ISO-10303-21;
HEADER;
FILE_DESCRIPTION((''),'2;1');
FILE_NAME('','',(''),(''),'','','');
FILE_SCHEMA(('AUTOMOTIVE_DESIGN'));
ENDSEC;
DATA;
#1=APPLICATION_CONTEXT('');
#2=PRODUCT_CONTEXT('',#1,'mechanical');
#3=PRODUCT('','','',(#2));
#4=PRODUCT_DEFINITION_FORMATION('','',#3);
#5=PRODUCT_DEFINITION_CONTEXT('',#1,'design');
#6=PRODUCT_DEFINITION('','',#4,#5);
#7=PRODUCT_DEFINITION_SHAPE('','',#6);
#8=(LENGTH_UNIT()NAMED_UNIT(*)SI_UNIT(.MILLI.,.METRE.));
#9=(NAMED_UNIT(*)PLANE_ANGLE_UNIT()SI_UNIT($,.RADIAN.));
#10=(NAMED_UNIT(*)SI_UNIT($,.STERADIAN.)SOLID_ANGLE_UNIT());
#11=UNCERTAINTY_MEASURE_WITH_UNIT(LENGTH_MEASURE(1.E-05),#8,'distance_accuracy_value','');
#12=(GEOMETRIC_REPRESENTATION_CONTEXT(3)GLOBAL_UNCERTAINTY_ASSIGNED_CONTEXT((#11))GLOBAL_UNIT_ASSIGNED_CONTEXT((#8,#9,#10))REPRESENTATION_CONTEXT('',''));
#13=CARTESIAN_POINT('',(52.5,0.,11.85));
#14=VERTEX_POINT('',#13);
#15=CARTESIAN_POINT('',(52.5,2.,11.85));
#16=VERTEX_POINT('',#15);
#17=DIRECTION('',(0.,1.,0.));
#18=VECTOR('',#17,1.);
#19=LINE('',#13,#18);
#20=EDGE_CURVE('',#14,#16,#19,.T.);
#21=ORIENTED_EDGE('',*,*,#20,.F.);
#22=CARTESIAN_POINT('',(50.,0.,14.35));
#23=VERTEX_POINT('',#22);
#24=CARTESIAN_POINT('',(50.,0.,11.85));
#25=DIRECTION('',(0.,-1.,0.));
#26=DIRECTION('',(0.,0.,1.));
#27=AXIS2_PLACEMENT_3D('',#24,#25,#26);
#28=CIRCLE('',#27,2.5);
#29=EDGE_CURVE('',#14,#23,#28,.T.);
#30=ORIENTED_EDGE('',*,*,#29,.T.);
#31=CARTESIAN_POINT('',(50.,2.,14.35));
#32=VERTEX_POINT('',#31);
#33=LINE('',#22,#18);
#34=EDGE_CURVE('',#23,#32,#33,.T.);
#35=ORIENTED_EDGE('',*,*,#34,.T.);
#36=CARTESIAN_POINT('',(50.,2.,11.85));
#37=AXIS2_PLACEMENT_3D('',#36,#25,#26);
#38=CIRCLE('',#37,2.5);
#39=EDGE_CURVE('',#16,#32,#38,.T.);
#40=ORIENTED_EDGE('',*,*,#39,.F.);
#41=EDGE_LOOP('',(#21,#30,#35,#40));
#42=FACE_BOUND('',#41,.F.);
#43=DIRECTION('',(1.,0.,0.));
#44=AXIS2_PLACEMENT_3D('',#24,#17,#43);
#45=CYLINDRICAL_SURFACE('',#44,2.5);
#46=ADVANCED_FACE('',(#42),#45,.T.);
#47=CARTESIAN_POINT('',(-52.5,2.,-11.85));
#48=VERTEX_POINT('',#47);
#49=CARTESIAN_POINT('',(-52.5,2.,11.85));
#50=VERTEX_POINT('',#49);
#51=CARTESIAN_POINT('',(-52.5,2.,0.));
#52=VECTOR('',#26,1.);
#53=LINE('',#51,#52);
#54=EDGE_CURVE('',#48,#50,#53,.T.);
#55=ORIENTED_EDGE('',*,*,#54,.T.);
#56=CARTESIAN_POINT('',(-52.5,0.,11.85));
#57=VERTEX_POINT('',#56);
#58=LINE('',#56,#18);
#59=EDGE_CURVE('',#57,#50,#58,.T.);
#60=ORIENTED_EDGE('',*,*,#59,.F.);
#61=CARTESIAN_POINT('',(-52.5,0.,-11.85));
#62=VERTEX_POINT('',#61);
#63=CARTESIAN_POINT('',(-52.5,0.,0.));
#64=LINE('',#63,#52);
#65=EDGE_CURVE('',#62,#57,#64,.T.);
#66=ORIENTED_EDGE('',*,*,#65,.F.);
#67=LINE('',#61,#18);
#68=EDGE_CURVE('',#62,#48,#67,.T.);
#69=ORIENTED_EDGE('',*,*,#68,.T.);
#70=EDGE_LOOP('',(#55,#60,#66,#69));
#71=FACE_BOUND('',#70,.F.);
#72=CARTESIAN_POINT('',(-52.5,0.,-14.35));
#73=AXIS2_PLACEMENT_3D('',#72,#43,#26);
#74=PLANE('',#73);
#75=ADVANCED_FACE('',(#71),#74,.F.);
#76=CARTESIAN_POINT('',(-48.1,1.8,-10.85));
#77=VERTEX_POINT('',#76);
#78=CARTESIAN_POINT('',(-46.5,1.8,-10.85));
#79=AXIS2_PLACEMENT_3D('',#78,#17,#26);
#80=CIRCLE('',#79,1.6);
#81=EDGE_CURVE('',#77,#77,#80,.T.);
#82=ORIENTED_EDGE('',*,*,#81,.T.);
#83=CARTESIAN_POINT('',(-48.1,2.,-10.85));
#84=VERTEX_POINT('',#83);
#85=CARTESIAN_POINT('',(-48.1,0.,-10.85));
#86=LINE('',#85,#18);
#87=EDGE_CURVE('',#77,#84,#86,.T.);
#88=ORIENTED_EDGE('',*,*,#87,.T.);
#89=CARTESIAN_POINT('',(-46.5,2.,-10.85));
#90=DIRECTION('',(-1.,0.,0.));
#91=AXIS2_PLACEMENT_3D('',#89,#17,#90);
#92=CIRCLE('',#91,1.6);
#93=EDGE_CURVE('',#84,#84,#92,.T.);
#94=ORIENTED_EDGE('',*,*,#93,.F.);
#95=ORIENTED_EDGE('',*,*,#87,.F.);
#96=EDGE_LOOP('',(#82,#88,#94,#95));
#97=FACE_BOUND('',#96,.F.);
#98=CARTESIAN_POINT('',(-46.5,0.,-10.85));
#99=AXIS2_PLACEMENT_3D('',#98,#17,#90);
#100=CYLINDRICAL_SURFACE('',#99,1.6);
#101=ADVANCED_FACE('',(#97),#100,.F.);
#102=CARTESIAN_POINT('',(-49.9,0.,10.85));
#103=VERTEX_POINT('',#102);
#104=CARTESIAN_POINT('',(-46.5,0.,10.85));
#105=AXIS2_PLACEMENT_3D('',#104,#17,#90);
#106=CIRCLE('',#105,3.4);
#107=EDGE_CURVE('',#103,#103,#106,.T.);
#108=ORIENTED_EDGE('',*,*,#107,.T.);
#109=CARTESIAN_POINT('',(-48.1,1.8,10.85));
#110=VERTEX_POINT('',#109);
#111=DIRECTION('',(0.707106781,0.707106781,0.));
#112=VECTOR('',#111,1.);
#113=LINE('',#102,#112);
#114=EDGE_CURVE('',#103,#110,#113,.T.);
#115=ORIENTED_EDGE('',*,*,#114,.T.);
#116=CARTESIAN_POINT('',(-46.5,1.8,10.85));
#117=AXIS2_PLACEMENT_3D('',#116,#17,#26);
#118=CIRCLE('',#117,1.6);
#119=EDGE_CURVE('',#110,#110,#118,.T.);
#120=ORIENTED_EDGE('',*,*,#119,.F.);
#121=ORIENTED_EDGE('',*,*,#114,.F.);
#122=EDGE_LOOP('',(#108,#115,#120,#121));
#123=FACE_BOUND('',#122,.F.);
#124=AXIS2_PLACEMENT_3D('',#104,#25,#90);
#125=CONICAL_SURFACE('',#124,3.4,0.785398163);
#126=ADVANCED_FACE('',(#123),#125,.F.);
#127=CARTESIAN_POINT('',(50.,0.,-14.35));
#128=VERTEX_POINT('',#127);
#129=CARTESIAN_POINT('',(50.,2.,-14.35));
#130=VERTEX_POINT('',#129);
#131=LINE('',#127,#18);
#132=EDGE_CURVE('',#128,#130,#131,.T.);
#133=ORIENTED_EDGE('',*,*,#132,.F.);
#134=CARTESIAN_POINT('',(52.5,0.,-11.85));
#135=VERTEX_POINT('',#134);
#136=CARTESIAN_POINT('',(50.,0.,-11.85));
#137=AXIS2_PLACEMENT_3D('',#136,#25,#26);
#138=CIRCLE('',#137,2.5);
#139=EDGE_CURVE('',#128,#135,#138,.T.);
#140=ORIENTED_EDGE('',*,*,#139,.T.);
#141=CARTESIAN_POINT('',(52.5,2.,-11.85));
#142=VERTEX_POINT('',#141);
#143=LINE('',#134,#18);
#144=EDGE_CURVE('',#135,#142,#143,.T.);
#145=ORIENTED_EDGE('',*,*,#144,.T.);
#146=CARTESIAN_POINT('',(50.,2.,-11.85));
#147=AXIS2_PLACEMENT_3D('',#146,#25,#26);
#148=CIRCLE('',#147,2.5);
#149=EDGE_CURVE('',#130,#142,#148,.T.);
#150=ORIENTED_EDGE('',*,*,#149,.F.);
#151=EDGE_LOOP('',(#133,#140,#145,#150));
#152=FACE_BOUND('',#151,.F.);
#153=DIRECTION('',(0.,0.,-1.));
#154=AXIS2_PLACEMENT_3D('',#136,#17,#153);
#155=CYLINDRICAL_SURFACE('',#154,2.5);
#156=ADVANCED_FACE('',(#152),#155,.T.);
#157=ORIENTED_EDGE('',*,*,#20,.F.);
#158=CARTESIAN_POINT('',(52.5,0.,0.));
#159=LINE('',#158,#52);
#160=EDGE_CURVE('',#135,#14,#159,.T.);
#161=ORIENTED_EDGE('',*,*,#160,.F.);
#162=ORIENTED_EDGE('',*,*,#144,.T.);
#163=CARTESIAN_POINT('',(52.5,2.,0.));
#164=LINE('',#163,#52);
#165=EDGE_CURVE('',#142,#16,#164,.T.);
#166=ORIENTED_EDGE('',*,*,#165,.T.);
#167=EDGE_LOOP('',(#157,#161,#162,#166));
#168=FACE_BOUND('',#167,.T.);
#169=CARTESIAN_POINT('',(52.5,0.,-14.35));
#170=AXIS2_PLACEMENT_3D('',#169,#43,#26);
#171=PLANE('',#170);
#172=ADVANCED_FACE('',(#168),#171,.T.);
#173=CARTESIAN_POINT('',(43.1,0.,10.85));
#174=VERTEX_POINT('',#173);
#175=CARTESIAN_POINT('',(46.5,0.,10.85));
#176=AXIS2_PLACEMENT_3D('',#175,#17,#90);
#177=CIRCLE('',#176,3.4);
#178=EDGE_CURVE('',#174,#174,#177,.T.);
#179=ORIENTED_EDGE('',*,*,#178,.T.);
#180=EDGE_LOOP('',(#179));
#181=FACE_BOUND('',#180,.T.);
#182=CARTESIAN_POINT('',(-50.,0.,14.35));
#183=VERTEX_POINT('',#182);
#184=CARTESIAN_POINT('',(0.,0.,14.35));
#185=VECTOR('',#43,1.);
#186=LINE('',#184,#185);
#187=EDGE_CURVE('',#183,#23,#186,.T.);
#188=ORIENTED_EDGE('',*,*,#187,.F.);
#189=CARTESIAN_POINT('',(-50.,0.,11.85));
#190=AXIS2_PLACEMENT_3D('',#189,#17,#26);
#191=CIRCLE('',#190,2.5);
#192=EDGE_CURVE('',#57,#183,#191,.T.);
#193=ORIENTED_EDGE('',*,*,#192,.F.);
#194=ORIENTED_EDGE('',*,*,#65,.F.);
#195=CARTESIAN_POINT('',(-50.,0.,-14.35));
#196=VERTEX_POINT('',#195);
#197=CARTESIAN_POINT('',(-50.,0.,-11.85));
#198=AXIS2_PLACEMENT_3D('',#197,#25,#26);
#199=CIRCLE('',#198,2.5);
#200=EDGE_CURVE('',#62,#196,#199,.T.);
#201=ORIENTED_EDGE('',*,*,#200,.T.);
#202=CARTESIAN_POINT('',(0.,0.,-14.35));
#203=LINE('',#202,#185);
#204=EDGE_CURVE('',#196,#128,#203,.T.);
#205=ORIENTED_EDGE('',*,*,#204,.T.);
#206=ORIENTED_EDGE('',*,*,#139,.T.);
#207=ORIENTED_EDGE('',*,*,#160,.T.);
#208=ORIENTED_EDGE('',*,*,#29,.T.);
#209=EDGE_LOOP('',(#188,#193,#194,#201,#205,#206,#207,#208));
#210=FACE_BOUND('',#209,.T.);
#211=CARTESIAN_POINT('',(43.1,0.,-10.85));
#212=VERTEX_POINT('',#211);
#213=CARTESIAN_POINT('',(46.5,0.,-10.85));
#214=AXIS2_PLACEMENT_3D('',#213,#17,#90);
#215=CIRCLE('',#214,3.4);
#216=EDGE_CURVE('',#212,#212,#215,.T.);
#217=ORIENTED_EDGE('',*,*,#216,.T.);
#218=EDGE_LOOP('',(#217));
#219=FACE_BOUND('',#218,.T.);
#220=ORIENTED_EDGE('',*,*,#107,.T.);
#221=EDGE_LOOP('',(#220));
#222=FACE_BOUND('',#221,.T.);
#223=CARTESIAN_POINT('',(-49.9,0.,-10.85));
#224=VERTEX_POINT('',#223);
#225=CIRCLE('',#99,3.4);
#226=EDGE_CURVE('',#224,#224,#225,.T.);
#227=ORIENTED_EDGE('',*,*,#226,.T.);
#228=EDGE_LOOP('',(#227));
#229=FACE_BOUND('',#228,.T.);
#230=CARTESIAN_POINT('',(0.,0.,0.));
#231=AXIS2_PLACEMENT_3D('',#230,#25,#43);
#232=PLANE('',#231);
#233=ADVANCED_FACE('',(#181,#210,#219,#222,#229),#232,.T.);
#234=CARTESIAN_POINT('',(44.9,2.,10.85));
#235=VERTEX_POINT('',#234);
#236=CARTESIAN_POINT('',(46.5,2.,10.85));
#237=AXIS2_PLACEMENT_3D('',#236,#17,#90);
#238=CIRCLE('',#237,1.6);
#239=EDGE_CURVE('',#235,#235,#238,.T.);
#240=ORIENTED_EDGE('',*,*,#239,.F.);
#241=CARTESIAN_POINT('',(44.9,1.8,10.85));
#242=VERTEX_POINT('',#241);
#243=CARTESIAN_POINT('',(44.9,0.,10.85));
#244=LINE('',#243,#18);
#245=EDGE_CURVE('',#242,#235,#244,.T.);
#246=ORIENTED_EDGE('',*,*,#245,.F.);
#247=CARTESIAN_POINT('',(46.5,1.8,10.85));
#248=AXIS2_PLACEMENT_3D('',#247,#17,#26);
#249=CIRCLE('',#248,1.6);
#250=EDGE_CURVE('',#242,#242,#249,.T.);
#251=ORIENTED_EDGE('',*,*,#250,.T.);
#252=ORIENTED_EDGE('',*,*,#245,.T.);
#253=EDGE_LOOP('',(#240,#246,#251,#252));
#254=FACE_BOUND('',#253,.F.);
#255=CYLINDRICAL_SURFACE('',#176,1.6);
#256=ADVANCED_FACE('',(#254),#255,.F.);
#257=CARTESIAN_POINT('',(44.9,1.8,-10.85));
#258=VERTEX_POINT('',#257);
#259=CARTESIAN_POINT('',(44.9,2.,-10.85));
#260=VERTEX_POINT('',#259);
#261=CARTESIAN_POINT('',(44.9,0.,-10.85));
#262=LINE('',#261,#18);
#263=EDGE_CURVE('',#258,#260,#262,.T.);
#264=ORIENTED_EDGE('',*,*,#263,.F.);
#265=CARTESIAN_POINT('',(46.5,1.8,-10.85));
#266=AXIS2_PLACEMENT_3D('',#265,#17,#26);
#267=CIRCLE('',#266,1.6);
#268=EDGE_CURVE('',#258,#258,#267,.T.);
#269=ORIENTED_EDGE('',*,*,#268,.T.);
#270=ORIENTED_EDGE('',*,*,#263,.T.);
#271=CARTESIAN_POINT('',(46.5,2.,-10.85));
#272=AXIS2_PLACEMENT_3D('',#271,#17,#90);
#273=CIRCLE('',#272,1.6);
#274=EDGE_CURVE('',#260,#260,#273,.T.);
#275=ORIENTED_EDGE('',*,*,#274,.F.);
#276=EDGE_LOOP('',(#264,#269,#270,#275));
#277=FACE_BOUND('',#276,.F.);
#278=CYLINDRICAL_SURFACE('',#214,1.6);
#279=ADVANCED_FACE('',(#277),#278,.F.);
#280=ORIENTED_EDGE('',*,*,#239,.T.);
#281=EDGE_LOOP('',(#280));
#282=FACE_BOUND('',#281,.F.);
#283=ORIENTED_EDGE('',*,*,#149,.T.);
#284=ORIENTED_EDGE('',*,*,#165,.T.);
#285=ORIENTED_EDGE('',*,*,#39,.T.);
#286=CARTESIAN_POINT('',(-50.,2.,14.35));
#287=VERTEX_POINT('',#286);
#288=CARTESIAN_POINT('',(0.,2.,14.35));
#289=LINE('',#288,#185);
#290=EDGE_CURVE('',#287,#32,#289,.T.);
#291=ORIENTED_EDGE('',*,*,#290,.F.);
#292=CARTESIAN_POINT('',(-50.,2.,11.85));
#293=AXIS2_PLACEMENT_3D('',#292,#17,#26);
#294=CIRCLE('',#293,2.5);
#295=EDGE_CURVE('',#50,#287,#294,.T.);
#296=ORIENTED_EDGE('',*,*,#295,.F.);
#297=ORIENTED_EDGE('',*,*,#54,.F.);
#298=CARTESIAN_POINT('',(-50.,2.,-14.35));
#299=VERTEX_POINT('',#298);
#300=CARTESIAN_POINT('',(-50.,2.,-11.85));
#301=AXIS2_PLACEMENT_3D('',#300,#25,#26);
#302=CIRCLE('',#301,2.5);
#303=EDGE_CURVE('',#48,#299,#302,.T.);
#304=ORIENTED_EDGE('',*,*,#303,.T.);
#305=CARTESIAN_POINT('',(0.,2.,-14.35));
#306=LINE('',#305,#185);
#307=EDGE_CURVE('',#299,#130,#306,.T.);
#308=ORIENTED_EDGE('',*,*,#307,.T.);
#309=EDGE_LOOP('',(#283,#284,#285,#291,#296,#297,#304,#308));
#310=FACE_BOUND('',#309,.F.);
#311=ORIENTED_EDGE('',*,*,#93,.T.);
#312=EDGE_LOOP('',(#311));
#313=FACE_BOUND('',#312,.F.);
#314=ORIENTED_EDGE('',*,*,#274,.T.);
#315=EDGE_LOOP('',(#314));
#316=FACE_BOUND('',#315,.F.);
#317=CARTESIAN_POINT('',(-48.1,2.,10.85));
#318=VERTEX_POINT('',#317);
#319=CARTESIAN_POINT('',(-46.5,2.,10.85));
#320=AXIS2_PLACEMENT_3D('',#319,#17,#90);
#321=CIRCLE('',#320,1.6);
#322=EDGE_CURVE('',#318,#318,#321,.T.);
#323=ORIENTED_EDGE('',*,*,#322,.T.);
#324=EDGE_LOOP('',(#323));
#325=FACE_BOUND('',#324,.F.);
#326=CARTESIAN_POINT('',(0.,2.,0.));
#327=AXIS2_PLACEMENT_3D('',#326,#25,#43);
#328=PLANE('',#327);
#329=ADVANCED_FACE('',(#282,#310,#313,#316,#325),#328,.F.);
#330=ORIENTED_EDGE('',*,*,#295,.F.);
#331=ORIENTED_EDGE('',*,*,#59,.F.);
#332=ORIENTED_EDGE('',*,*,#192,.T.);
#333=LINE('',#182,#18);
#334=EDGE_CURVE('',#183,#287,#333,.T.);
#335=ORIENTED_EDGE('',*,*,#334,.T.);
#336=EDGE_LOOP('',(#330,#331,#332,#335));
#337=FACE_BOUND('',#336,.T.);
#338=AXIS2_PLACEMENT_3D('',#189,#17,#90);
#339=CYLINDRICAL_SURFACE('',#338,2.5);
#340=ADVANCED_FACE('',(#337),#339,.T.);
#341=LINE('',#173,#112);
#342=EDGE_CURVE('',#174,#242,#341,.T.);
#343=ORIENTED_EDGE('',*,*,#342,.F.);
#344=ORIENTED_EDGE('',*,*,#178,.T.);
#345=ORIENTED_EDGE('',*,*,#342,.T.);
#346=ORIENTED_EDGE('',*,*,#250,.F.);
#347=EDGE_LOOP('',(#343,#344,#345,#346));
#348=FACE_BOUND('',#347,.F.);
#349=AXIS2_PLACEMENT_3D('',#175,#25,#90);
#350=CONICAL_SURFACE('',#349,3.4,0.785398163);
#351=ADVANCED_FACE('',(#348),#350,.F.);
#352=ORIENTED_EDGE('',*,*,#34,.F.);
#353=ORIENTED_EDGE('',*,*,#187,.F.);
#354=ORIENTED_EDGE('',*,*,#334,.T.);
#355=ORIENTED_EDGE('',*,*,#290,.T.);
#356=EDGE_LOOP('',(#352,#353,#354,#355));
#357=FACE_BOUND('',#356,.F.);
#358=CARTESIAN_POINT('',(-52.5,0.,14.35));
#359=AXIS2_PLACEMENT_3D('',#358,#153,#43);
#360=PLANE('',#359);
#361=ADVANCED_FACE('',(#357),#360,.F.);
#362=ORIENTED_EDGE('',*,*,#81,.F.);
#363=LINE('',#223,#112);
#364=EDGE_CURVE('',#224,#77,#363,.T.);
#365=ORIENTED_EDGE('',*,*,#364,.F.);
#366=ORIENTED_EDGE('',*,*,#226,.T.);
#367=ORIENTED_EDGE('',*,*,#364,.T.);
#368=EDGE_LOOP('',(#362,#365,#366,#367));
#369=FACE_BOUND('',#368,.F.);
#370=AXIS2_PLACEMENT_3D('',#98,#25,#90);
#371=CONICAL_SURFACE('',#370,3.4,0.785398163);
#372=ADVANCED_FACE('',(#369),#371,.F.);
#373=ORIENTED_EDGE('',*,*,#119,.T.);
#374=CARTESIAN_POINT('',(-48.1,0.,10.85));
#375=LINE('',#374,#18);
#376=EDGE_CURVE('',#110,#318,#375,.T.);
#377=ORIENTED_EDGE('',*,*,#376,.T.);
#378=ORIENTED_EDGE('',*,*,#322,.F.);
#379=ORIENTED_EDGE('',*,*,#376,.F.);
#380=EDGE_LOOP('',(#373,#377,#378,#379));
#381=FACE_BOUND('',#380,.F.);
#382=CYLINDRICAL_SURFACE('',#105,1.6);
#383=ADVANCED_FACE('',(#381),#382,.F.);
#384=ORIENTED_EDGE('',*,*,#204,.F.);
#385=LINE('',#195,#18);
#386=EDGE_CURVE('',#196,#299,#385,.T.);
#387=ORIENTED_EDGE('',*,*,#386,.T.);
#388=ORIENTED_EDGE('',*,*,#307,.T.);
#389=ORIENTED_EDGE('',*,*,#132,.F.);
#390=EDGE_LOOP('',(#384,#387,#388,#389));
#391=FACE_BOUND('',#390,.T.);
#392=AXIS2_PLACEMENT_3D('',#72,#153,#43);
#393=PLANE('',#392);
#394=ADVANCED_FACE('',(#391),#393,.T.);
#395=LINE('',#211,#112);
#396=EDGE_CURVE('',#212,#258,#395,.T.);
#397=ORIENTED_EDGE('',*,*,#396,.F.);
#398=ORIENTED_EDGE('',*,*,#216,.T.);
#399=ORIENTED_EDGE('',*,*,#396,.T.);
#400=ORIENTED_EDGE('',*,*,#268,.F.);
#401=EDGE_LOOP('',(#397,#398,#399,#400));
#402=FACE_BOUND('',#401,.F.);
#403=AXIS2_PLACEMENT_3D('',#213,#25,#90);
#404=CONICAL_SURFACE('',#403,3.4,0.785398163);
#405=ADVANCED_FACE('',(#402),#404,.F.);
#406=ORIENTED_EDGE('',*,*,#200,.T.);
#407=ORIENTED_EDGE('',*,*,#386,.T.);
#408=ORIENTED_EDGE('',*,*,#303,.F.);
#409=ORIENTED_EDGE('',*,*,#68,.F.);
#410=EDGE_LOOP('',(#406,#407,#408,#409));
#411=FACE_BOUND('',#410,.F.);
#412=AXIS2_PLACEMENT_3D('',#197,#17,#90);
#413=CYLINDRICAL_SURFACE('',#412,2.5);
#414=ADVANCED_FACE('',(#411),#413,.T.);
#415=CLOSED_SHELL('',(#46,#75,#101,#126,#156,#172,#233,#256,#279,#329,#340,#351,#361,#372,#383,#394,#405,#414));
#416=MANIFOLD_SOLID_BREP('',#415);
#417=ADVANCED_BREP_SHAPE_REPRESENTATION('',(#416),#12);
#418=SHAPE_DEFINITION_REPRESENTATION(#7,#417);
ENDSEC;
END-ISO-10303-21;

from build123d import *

# Parameters (mm, degrees)
SKETCH_W         = 105
SKETCH_H         = 28.7
PAD_DEPTH        = 2
FILLET_R         = 2.5
HOLE_D           = 3.2
HOLE_DEPTH       = 25
HOLE_CSINK_D     = 6.8
HOLE_CSINK_ANGLE = 90


with BuildPart() as part:
    # Sketch → Pad (new body)
    with BuildSketch(Plane.XZ):
        Rectangle(SKETCH_W, SKETCH_H)
    extrude(amount=-PAD_DEPTH)

    # Fillet
    fillet_edges = [part.edges().sort_by_distance(p)[0] for p in [
        (52.5, 1, 14.35),
        (52.5, 1, -14.35),
        (-52.5, 1, 14.35),
        (-52.5, 1, -14.35),
    ]]
    fillet(fillet_edges, radius=FILLET_R)

    # Hole
    with Locations(Plane.XZ):
        with Locations((46.5, 10.85), (46.5, -10.85), (-46.5, -10.85), (-46.5, 10.85)):
            CounterSinkHole(HOLE_D / 2, HOLE_CSINK_D / 2, depth=HOLE_DEPTH, counter_sink_angle=HOLE_CSINK_ANGLE)


solid = part.part
